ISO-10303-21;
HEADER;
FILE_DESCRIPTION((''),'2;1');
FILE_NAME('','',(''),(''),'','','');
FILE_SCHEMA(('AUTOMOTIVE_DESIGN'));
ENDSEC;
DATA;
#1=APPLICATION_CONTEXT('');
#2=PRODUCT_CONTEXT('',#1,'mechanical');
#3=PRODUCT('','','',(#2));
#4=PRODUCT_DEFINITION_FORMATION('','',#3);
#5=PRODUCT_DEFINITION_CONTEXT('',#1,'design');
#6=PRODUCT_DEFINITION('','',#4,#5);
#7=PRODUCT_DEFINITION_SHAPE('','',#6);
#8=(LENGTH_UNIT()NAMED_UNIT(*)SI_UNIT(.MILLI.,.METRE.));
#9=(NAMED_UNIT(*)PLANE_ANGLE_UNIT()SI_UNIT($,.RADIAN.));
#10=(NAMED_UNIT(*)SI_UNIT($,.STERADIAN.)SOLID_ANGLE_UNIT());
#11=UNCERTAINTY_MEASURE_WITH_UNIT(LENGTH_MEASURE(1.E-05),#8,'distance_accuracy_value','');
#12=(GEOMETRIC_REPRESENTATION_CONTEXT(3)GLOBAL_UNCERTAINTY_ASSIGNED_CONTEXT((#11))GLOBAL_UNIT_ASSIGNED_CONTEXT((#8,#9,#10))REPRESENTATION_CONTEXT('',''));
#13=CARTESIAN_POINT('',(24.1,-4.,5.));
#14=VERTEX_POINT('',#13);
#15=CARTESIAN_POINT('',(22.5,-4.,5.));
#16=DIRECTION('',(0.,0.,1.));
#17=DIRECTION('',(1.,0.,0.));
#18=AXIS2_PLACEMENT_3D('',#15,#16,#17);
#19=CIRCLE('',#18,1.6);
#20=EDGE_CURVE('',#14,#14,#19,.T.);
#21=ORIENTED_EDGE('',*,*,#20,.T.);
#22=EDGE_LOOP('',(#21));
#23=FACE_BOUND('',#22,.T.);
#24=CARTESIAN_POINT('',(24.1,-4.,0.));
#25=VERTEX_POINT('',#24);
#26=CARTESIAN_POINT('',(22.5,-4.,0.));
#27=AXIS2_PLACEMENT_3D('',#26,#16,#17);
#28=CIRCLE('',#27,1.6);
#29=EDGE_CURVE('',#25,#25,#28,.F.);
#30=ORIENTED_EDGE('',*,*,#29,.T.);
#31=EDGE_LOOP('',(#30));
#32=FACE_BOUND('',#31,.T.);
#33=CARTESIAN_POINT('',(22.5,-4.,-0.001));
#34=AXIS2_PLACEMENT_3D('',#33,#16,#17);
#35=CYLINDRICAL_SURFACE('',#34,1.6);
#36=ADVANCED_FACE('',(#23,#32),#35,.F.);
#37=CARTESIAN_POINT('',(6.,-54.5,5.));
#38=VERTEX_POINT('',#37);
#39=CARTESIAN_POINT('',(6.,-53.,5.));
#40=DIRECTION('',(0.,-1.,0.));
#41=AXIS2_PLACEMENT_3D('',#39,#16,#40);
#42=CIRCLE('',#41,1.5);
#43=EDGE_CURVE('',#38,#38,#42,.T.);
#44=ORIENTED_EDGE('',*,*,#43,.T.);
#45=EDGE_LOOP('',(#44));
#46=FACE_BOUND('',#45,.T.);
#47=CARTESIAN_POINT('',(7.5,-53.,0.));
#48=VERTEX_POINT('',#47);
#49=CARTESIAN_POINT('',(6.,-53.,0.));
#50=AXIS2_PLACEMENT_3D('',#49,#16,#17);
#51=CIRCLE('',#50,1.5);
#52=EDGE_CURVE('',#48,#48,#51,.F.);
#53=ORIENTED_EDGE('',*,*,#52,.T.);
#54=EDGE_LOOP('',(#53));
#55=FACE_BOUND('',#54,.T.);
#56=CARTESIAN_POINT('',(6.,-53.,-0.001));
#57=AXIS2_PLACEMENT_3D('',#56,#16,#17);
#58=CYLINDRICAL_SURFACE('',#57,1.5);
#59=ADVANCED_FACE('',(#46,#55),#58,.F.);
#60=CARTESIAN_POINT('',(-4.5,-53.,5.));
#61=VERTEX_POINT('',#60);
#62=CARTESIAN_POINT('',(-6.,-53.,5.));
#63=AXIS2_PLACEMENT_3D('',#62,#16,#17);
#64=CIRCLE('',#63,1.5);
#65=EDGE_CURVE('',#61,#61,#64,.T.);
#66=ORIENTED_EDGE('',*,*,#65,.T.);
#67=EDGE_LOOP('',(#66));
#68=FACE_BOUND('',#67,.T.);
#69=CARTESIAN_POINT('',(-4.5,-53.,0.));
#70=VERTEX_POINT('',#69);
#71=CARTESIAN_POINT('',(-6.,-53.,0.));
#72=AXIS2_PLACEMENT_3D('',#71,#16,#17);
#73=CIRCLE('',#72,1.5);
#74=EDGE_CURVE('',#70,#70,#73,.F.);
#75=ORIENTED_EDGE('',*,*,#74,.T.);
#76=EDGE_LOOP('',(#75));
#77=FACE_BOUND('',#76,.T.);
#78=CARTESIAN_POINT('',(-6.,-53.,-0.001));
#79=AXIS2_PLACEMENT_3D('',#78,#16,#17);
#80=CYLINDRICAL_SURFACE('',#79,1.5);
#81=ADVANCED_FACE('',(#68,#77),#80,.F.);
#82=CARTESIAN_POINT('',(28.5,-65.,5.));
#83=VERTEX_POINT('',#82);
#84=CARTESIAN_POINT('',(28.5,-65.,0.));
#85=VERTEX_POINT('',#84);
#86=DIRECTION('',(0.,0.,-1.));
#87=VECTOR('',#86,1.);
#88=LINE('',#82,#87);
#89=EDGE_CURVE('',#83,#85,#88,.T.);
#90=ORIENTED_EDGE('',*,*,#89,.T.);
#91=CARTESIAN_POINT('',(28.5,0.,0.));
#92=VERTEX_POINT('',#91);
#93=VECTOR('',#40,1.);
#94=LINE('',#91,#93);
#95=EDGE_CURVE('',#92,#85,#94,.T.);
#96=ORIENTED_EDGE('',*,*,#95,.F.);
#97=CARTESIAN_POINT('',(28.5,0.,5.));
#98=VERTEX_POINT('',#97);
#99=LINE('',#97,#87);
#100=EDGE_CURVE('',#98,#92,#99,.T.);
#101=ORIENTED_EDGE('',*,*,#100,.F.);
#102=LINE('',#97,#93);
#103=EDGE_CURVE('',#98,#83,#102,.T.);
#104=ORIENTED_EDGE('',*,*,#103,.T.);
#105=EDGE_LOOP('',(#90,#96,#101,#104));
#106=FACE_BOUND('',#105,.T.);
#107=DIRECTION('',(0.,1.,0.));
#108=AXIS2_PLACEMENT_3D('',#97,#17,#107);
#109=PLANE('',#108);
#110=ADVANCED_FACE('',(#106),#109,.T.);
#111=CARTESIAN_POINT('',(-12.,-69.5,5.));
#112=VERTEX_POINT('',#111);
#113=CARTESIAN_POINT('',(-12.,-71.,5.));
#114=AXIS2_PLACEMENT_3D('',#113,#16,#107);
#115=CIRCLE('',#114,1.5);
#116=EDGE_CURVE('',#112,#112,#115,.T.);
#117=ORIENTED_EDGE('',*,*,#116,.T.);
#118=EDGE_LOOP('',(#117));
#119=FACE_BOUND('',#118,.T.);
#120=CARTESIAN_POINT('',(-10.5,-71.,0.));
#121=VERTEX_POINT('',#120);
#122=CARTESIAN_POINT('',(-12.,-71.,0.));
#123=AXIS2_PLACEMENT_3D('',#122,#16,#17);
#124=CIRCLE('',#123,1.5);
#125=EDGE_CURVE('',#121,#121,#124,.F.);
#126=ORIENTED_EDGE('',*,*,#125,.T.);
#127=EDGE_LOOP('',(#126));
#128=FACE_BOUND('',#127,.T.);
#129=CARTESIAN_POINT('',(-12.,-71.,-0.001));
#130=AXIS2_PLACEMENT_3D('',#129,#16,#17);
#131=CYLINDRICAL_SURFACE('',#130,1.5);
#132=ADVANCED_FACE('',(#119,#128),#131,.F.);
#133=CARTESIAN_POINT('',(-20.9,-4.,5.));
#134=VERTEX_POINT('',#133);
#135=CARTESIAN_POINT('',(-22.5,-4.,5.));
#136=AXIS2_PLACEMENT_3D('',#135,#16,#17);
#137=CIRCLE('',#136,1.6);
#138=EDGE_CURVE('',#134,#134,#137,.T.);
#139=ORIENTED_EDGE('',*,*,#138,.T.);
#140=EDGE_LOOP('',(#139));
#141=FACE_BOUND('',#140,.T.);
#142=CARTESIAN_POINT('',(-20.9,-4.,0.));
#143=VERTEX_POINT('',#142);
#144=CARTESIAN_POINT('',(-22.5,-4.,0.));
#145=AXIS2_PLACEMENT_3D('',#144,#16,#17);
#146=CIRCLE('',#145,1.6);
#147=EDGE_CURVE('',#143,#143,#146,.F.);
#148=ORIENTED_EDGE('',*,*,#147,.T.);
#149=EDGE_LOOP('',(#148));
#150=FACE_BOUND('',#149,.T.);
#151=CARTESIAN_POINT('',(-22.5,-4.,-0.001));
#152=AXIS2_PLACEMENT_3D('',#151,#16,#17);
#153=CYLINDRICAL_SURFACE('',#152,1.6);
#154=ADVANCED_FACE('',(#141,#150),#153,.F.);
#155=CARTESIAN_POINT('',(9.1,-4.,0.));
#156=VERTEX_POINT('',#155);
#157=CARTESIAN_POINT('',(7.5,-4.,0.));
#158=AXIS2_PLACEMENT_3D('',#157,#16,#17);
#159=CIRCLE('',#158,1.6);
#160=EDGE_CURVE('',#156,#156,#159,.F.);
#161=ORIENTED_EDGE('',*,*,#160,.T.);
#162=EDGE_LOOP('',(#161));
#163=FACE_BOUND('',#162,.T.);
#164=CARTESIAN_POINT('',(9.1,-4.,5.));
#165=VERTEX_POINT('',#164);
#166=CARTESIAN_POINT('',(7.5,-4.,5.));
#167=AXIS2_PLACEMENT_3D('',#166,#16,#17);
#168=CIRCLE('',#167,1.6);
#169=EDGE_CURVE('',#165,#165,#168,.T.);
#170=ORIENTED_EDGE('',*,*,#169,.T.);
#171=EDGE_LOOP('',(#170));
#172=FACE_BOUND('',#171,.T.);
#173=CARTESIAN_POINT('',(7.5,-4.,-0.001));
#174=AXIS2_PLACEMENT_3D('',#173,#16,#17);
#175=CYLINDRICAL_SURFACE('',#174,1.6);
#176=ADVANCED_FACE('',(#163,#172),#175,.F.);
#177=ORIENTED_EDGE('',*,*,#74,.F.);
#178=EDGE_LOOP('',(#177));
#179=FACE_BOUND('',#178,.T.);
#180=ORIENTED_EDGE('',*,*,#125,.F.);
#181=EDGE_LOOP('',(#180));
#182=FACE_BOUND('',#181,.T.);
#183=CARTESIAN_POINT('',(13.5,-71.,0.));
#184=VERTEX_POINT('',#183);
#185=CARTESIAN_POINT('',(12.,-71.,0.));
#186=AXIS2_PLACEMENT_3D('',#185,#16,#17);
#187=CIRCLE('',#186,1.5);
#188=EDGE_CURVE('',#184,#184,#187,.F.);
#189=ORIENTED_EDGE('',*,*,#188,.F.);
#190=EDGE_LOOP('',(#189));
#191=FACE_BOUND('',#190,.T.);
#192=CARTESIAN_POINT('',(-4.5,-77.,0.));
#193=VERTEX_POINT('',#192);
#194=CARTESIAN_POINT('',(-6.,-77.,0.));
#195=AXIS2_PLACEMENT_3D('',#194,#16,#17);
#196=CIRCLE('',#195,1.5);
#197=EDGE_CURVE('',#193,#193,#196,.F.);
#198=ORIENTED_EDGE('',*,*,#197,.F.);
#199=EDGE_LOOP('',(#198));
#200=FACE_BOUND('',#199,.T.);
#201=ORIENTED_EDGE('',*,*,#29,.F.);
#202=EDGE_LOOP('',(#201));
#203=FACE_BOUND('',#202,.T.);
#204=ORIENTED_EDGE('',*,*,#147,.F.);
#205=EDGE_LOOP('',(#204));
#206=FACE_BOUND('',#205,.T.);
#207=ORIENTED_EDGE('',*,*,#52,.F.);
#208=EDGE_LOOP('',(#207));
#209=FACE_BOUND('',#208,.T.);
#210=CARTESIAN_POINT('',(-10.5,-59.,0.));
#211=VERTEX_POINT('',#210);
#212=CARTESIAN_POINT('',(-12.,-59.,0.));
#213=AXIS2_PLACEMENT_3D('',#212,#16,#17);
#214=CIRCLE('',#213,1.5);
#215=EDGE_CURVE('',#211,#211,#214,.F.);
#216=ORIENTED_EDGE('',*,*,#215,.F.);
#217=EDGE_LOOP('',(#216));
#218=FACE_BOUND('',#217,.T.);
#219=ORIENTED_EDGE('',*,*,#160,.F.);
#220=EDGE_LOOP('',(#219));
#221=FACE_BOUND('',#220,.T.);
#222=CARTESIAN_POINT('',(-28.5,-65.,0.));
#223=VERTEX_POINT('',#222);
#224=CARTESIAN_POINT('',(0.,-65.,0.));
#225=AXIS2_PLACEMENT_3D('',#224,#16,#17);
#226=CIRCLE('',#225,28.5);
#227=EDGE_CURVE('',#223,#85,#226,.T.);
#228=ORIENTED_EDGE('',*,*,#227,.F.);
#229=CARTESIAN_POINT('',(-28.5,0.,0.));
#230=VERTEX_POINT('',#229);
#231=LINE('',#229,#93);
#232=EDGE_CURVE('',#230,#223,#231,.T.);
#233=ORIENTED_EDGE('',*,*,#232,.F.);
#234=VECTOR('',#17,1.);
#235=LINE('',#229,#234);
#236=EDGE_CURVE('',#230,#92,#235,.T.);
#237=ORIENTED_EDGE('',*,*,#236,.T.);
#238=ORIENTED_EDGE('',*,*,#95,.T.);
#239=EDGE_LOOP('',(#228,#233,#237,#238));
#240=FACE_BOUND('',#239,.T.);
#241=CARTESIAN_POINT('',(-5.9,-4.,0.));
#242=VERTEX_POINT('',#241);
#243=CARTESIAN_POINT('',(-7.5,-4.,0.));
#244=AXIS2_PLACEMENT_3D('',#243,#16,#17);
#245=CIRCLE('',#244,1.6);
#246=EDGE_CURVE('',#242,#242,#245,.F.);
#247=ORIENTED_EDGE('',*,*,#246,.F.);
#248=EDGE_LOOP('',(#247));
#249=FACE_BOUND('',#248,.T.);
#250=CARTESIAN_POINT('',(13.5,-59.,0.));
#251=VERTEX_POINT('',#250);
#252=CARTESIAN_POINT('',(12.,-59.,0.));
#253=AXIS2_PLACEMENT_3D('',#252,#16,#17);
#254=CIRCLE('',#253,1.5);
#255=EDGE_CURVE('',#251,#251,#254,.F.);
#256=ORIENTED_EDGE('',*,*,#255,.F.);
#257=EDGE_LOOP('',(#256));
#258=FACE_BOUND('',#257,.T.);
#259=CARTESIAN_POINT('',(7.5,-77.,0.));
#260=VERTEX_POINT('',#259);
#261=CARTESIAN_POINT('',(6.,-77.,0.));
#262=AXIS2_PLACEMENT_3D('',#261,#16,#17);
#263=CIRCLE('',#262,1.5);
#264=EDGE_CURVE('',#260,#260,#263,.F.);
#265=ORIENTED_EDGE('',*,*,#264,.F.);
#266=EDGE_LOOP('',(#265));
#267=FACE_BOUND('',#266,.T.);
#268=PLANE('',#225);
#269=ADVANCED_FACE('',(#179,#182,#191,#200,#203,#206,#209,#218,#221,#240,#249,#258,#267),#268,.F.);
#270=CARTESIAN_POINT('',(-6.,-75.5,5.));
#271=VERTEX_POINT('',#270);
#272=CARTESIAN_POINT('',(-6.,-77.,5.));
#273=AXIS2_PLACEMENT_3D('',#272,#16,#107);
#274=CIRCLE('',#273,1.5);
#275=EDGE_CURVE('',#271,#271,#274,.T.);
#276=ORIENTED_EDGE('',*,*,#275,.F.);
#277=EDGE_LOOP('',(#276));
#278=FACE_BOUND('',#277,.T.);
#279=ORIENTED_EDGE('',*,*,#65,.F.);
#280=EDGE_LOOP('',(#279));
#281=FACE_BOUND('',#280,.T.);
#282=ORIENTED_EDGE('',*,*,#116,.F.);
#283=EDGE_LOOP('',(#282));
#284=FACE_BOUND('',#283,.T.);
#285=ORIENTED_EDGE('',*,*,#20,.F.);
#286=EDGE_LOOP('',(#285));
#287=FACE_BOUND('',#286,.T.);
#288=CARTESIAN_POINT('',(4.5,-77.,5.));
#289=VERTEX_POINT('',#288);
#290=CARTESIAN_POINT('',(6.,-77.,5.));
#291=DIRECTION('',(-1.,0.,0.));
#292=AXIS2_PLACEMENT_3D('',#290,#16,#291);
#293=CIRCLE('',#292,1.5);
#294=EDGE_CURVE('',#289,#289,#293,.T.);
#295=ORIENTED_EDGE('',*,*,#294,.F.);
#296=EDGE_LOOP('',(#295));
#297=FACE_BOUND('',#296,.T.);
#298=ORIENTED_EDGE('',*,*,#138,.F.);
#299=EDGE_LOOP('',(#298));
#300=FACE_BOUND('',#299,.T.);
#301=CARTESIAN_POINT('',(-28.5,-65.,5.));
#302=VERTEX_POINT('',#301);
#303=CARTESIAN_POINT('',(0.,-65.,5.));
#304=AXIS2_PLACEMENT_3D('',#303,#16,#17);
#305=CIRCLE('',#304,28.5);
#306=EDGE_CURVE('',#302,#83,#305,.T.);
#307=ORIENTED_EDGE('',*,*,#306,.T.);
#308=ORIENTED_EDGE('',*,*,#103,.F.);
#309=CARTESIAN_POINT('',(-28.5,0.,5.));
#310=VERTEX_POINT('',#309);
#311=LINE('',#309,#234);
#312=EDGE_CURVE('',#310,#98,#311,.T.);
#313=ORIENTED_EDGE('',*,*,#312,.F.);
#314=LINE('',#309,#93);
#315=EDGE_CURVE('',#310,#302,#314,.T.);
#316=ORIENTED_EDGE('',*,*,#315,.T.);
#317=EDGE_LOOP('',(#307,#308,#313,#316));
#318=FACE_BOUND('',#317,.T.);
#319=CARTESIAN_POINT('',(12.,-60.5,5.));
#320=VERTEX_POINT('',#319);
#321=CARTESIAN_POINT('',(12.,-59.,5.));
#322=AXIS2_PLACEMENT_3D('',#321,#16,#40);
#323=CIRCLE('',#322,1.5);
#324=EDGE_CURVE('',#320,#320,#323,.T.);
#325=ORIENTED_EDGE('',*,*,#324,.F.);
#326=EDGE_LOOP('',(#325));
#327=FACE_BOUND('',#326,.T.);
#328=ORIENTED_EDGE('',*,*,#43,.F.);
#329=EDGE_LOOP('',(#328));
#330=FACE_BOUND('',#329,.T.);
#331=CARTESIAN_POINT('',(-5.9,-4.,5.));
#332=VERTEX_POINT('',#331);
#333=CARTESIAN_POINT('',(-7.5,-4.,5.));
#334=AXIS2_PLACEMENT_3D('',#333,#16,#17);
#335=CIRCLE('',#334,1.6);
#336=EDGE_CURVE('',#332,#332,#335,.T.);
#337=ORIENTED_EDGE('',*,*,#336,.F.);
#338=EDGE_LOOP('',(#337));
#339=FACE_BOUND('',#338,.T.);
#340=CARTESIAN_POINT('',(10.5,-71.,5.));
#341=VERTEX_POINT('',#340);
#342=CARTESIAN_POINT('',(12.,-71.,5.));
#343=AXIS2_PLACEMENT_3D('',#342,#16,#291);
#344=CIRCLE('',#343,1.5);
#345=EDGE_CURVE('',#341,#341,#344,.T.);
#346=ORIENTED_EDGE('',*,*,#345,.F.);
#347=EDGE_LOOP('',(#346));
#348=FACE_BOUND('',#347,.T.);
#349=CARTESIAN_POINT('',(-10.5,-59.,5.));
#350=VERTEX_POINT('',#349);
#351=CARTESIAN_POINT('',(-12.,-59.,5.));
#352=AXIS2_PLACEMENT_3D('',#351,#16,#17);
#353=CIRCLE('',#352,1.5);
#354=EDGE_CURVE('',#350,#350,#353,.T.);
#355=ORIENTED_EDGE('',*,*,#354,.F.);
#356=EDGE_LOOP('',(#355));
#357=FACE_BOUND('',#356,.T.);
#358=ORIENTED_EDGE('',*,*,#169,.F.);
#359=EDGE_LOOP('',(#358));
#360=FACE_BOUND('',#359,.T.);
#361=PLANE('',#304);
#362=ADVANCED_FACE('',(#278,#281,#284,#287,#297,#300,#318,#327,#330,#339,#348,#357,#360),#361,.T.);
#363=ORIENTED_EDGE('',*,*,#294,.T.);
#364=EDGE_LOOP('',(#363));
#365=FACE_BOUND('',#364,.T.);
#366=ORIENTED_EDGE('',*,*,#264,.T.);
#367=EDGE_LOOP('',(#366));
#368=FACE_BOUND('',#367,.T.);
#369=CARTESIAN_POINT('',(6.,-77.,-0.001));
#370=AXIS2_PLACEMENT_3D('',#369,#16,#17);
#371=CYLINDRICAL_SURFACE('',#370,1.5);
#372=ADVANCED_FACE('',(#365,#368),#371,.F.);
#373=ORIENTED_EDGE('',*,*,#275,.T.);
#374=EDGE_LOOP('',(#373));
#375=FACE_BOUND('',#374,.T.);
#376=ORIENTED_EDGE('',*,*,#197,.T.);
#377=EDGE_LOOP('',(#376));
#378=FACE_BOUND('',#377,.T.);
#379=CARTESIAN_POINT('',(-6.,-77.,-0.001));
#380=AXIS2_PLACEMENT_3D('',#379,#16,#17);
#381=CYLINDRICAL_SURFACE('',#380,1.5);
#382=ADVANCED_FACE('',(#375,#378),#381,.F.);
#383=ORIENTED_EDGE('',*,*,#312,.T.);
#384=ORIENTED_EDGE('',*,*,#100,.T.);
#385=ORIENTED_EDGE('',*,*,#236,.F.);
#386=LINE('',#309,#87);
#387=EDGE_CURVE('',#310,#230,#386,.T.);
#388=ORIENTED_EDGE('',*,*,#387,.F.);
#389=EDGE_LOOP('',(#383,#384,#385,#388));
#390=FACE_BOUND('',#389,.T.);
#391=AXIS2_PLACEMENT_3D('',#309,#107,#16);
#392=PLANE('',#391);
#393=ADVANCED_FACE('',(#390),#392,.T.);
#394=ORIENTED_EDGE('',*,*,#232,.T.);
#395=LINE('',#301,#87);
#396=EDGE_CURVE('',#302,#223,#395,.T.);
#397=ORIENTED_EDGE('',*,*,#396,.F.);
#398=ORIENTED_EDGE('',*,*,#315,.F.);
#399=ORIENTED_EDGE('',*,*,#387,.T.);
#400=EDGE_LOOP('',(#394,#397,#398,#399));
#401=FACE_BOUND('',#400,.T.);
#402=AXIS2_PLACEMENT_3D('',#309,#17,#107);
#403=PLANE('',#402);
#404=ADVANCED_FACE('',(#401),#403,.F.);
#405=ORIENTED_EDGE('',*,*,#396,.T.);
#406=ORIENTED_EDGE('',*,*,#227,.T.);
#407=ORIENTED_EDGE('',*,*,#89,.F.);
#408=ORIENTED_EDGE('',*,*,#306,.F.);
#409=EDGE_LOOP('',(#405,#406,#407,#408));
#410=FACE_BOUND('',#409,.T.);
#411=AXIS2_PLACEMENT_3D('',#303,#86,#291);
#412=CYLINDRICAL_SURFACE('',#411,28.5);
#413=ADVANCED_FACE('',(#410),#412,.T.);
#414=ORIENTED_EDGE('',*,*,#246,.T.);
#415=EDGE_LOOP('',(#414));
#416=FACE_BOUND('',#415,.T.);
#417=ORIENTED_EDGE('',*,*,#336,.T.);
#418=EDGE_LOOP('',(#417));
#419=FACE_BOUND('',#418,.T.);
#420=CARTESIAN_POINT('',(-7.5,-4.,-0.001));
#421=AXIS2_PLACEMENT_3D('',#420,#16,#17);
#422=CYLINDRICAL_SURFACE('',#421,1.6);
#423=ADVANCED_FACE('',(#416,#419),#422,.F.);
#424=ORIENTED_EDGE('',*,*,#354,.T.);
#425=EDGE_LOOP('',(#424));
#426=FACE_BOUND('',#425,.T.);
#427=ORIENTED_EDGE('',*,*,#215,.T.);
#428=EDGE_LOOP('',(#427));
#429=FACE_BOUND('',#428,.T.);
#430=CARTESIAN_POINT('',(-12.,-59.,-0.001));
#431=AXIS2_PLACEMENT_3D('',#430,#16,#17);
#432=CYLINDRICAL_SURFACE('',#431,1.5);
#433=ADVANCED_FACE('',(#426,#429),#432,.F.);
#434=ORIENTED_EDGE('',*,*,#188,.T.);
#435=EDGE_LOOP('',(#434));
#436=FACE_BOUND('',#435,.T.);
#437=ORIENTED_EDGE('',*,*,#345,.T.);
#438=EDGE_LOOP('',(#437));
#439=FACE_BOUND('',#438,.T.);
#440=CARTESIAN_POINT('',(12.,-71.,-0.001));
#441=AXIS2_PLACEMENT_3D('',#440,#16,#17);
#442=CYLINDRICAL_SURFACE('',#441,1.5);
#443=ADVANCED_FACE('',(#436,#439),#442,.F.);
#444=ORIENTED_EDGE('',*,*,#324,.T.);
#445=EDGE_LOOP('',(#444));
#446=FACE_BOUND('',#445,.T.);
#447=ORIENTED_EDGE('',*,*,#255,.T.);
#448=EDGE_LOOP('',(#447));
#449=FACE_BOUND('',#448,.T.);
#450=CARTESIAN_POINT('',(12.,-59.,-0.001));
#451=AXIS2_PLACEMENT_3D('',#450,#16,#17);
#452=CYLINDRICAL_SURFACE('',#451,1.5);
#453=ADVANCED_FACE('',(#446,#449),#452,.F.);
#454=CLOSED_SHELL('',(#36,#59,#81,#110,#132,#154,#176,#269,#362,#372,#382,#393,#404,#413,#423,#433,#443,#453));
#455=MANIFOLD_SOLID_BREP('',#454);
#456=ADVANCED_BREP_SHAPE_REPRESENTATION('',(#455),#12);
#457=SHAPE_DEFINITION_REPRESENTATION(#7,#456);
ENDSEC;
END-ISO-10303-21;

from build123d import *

# Parameters (mm, degrees)
EXTRUDE_1_DEPTH          = 5
CUT_EXTRUDE_2_REACH      = 99.875
SKETCH_3_R               = 1.6
PATTERN_LINEAR_1_COUNT   = 4
PATTERN_LINEAR_1_PITCH   = 15
CUT_EXTRUDE_1_REACH      = 99.875
SKETCH_2_R               = 1.5
PATTERN_CIRCULAR_1_COUNT = 4


with BuildPart() as part:
    # 草圖1 → 填料-伸長1 (new body)
    with BuildSketch(Plane.XY):
        with BuildLine():
            Line((-28.5, 0), (28.5, 0))
            Line((28.5, 0), (28.5, -65))
            ThreePointArc((28.5, -65), (0, -93.5), (-28.5, -65))
            Line((-28.5, -65), (-28.5, 0))
        make_face()
    extrude(amount=EXTRUDE_1_DEPTH)

    # 草圖3 → 除料-伸長2 (cut, up to next)
    with BuildSketch(Plane.XY.offset(5), mode=Mode.PRIVATE) as cut_extrude_2_sk1:
        with Locations((-22.5, -4)):
            Circle(SKETCH_3_R)
    cut_extrude_2_tool1 = extrude(cut_extrude_2_sk1.sketch, amount=-CUT_EXTRUDE_2_REACH, mode=Mode.PRIVATE) & part.part
    cut_extrude_2 = cut_extrude_2_tool1.solids().sort_by_distance((-22.5, -4, 5))[0]
    add(cut_extrude_2, mode=Mode.SUBTRACT)

    # 直線複製排列1: 除料-伸長2 ×4
    with Locations(*[(i * PATTERN_LINEAR_1_PITCH, 0, 0) for i in range(1, PATTERN_LINEAR_1_COUNT)]):
        add(cut_extrude_2, mode=Mode.SUBTRACT)

    # 草圖2 → 除料-伸長1 (cut, up to next)
    with BuildSketch(Plane.XY.offset(5), mode=Mode.PRIVATE) as cut_extrude_1_sk1:
        with Locations((-6, -53)):
            Circle(SKETCH_2_R)
    cut_extrude_1_tool1 = extrude(cut_extrude_1_sk1.sketch, amount=-CUT_EXTRUDE_1_REACH, mode=Mode.PRIVATE) & part.part
    # 草圖2 → 除料-伸長1 (cut, up to next)
    with BuildSketch(Plane.XY.offset(5), mode=Mode.PRIVATE) as cut_extrude_1_sk2:
        with Locations((-12, -59)):
            Circle(SKETCH_2_R)
    cut_extrude_1_tool2 = extrude(cut_extrude_1_sk2.sketch, amount=-CUT_EXTRUDE_1_REACH, mode=Mode.PRIVATE) & part.part
    cut_extrude_1_1 = cut_extrude_1_tool1.solids().sort_by_distance((-6, -53, 5))[0]
    add(cut_extrude_1_1, mode=Mode.SUBTRACT)
    cut_extrude_1_2 = cut_extrude_1_tool2.solids().sort_by_distance((-12, -59, 5))[0]
    add(cut_extrude_1_2, mode=Mode.SUBTRACT)
    cut_extrude_1 = cut_extrude_1_1 + cut_extrude_1_2  # 除料-伸長1 as one shape, for the pattern or mirror that repeats it

    # 環狀複製排列1: 除料-伸長1 ×4 about axis
    pattern_circular_1_axis = Axis((0, -65, 0), (0, 0, 1))
    for i in range(1, PATTERN_CIRCULAR_1_COUNT):
        add(cut_extrude_1.rotate(pattern_circular_1_axis, i * 360 / PATTERN_CIRCULAR_1_COUNT), mode=Mode.SUBTRACT)


solid = part.part
